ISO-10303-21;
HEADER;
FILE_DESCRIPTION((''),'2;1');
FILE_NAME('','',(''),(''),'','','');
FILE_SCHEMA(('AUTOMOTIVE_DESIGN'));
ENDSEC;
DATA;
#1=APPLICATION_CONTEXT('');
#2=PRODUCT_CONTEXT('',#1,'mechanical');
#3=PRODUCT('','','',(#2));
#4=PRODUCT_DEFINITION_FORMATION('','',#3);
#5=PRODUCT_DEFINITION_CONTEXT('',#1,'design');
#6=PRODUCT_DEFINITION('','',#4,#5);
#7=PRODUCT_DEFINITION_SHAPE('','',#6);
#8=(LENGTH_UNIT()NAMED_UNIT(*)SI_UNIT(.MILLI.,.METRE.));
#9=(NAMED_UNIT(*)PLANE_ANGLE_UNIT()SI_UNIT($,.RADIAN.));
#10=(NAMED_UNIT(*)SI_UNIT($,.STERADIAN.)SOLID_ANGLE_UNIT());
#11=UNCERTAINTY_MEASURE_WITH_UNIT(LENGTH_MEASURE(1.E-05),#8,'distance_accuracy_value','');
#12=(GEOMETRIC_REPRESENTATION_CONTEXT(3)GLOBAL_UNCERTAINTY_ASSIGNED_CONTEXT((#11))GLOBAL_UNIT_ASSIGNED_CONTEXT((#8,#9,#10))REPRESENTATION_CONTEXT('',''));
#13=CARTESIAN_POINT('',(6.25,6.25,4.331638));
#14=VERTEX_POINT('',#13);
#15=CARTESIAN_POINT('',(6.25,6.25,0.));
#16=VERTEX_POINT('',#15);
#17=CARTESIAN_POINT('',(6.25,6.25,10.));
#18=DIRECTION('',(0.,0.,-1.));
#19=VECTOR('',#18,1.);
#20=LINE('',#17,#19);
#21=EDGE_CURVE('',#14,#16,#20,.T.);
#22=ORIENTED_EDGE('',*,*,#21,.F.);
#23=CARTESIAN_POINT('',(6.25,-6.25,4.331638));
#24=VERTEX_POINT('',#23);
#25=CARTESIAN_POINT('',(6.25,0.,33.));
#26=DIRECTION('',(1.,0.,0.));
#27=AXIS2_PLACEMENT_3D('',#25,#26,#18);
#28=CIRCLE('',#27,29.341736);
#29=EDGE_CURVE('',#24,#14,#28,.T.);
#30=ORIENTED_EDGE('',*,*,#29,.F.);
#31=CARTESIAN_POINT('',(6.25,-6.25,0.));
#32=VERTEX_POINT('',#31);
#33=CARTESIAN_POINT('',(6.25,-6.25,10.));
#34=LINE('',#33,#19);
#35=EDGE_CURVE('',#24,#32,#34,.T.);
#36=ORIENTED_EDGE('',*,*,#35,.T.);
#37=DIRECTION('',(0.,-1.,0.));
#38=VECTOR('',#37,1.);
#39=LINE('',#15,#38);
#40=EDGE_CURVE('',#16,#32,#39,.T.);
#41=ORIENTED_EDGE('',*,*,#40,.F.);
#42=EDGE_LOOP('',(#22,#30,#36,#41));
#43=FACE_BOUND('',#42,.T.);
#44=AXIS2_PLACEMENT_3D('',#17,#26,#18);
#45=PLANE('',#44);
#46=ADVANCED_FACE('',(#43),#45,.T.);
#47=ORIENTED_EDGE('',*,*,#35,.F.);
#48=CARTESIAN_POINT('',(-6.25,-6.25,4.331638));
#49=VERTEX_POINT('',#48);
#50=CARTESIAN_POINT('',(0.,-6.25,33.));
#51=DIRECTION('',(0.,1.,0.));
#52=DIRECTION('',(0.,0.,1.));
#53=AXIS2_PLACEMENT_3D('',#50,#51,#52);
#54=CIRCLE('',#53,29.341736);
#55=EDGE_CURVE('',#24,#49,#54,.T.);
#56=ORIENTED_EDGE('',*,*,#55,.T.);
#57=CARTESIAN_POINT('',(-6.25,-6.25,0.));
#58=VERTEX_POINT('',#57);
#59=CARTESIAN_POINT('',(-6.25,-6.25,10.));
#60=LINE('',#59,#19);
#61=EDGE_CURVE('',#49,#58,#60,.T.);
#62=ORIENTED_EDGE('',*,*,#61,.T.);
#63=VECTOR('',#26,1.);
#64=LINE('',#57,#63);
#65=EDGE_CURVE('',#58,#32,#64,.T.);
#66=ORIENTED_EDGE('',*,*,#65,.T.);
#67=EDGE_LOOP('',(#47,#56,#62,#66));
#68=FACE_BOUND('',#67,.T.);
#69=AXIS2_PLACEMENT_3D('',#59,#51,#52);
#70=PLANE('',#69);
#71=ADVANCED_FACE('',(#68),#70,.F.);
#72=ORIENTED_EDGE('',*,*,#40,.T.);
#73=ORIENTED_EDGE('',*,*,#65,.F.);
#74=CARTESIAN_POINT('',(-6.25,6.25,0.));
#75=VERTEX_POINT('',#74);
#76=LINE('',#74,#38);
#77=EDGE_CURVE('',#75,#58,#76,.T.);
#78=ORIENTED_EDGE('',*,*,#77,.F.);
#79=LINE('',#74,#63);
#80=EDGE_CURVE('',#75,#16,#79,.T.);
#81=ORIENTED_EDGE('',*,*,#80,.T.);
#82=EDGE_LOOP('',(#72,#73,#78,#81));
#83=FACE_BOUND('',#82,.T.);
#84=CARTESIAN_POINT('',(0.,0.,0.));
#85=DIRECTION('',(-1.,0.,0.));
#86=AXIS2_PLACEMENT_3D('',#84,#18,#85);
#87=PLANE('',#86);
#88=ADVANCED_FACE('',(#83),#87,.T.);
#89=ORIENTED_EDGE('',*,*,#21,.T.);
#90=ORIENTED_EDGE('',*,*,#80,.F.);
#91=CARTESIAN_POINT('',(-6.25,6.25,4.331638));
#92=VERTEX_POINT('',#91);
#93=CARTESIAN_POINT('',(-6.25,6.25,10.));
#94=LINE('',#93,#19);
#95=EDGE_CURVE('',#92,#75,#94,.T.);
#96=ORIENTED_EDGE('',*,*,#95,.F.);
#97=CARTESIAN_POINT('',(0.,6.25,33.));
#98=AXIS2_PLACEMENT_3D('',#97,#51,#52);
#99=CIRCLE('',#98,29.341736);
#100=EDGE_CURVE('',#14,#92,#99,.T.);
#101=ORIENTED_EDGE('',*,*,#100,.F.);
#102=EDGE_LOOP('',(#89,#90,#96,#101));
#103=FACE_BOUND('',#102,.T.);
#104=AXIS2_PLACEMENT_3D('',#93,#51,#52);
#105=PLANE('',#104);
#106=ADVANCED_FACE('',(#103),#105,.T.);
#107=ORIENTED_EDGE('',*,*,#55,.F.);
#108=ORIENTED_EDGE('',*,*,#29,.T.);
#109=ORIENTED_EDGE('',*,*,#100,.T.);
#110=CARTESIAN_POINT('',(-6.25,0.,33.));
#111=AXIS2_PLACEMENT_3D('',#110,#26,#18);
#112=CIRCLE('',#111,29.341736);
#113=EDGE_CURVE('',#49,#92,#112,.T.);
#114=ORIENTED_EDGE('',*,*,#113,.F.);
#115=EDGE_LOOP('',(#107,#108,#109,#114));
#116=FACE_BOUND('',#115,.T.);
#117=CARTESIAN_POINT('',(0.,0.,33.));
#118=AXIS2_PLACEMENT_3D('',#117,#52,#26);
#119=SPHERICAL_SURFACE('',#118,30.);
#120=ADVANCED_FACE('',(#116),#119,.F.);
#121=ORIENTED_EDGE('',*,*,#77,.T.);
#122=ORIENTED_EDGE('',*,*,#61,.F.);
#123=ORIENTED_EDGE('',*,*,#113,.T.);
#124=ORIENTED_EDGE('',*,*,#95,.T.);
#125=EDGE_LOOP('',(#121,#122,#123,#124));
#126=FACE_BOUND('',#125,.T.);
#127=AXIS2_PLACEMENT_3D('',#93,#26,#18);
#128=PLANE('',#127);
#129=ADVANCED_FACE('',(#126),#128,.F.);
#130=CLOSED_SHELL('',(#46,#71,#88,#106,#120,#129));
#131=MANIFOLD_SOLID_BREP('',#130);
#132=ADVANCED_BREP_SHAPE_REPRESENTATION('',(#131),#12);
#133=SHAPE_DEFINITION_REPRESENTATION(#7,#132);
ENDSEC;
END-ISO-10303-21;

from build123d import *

# Parameters (mm, degrees)
SKETCH_1_W      = 12.5
SKETCH_1_H      = 12.5
EXTRUDE_1_DEPTH = 10


with BuildPart() as part:
    # 草图1 → 凸台-拉伸1 (new body)
    with BuildSketch(Plane.XY):
        Rectangle(SKETCH_1_W, SKETCH_1_H)
    extrude(amount=EXTRUDE_1_DEPTH)

    # 草图2 → 切除-旋转2 (revolve, cut)
    with BuildSketch(Plane(origin=(0, 0, 0), x_dir=(1, 0, 0), z_dir=(0, 1, 0))):
        with BuildLine():
            Line((29.245363854, -26.313544061), (0, -26.313544061))
            Line((0, -26.313544061), (0, -3))
            ThreePointArc((0, -3), (18.700351893, -9.541593424), (29.245363854, -26.313544061))
        make_face()
    revolve(axis=Axis((0, 0, 26.313544061), (0, 0, -1)), mode=Mode.SUBTRACT)


solid = part.part
